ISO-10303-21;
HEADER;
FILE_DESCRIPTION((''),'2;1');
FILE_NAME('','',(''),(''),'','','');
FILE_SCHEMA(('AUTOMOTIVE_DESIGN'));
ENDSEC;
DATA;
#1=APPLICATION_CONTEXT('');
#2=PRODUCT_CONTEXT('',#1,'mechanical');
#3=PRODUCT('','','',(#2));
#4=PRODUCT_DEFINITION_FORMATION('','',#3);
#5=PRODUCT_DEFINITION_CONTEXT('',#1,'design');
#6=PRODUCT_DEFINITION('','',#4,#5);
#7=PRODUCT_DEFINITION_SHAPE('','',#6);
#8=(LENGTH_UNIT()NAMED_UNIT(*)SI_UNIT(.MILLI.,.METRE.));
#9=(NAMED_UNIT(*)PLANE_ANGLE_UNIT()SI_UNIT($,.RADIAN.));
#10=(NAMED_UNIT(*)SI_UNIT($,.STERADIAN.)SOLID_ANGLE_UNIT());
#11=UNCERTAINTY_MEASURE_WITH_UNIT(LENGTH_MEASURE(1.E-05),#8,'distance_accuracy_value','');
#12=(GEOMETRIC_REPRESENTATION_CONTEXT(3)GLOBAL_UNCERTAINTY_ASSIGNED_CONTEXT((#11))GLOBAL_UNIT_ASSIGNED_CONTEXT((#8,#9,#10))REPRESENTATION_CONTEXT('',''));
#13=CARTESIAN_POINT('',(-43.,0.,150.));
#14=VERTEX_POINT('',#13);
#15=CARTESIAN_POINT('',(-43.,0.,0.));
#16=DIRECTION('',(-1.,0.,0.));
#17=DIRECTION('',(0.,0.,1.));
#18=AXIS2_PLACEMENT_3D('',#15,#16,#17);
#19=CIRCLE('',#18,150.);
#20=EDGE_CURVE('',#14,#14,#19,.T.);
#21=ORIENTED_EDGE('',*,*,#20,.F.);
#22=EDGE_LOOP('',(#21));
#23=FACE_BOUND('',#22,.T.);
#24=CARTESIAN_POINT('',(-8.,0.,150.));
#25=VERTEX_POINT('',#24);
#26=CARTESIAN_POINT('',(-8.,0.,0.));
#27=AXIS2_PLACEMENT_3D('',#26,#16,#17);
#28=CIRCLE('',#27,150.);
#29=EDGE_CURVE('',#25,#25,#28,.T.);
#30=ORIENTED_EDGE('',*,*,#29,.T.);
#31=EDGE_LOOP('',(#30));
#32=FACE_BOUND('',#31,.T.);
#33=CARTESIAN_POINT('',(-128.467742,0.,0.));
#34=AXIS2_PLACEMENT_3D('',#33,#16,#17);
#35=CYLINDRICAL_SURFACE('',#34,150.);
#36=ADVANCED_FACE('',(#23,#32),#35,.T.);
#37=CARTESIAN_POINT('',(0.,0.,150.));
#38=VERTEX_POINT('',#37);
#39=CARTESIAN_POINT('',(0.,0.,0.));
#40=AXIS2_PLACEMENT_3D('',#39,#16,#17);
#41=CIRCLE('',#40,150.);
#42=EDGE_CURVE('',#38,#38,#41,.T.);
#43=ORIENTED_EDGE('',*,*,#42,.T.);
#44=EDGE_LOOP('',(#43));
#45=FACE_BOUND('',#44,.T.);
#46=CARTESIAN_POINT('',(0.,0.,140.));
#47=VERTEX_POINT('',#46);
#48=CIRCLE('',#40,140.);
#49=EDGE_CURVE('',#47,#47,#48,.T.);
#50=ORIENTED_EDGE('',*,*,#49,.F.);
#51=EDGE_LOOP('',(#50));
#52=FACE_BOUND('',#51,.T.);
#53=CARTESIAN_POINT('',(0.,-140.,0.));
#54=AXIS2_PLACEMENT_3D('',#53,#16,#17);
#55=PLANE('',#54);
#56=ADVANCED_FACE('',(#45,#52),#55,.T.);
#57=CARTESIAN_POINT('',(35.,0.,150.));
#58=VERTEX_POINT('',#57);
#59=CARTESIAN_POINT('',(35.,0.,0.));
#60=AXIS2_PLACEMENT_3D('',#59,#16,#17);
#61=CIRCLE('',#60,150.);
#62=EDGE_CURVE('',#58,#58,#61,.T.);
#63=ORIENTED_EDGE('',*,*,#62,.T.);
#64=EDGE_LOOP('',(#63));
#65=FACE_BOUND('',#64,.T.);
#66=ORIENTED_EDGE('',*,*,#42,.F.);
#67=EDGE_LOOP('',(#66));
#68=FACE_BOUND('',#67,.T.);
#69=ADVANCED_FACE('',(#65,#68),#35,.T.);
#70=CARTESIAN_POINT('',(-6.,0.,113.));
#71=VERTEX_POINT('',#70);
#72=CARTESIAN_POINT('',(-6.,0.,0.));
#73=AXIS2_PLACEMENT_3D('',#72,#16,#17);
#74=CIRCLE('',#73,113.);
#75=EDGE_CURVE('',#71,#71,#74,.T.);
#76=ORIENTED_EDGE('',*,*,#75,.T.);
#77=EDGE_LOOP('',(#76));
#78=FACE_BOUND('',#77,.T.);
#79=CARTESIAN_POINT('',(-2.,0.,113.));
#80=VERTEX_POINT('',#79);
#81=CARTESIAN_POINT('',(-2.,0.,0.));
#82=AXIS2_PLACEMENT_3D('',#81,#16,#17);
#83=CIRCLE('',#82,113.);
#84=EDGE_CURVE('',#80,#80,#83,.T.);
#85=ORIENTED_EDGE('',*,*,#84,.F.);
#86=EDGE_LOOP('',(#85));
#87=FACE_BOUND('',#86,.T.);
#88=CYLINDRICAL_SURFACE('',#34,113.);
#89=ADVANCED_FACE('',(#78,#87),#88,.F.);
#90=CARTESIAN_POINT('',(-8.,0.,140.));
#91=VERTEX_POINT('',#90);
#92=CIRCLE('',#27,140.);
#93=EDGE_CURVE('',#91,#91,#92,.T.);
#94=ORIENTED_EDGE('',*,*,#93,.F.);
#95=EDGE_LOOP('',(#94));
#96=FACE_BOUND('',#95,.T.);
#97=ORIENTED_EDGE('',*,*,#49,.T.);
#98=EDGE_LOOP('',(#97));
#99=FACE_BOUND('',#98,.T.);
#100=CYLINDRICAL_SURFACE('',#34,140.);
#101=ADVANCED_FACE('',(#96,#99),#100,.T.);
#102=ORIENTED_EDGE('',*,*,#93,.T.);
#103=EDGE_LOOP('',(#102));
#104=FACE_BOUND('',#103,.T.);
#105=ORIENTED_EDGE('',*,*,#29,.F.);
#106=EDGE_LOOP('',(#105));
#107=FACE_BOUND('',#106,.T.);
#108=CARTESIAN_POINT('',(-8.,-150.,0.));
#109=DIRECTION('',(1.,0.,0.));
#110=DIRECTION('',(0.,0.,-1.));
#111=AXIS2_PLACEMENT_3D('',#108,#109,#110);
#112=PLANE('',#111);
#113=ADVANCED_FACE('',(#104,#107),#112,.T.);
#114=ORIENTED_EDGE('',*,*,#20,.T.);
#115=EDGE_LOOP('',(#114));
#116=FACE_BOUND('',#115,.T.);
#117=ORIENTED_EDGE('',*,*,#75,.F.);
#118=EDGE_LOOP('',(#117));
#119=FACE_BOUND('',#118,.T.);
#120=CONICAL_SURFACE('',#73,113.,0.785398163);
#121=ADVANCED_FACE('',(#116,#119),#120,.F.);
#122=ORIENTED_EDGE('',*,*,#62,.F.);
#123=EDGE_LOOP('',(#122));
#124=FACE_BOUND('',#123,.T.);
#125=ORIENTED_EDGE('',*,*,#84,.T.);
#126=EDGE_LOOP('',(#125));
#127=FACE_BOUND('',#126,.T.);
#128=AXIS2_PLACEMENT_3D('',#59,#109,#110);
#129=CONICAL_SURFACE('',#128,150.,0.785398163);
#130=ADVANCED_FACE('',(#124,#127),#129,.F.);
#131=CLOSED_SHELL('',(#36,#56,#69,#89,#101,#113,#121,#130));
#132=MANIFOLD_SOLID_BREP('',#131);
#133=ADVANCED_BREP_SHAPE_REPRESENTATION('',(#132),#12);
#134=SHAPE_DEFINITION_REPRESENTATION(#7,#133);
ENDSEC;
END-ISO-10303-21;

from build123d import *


with BuildPart() as part:
    # Эскиз1 → Повернуть1 (revolve)
    with BuildSketch(Plane.XY, mode=Mode.PRIVATE) as revolve_1_sk:
        Polygon((-43, -150), (-8, -150), (-8, -140), (0, -140), (0, -150), (35, -150), (-2, -113), (-6, -113), align=None)
    revolve(revolve_1_sk.sketch.rotate(Axis((-128.467741935, 0, 0), (1, 0, 0)), 270), axis=Axis((-128.467741935, 0, 0), (1, 0, 0)))


solid = part.part
